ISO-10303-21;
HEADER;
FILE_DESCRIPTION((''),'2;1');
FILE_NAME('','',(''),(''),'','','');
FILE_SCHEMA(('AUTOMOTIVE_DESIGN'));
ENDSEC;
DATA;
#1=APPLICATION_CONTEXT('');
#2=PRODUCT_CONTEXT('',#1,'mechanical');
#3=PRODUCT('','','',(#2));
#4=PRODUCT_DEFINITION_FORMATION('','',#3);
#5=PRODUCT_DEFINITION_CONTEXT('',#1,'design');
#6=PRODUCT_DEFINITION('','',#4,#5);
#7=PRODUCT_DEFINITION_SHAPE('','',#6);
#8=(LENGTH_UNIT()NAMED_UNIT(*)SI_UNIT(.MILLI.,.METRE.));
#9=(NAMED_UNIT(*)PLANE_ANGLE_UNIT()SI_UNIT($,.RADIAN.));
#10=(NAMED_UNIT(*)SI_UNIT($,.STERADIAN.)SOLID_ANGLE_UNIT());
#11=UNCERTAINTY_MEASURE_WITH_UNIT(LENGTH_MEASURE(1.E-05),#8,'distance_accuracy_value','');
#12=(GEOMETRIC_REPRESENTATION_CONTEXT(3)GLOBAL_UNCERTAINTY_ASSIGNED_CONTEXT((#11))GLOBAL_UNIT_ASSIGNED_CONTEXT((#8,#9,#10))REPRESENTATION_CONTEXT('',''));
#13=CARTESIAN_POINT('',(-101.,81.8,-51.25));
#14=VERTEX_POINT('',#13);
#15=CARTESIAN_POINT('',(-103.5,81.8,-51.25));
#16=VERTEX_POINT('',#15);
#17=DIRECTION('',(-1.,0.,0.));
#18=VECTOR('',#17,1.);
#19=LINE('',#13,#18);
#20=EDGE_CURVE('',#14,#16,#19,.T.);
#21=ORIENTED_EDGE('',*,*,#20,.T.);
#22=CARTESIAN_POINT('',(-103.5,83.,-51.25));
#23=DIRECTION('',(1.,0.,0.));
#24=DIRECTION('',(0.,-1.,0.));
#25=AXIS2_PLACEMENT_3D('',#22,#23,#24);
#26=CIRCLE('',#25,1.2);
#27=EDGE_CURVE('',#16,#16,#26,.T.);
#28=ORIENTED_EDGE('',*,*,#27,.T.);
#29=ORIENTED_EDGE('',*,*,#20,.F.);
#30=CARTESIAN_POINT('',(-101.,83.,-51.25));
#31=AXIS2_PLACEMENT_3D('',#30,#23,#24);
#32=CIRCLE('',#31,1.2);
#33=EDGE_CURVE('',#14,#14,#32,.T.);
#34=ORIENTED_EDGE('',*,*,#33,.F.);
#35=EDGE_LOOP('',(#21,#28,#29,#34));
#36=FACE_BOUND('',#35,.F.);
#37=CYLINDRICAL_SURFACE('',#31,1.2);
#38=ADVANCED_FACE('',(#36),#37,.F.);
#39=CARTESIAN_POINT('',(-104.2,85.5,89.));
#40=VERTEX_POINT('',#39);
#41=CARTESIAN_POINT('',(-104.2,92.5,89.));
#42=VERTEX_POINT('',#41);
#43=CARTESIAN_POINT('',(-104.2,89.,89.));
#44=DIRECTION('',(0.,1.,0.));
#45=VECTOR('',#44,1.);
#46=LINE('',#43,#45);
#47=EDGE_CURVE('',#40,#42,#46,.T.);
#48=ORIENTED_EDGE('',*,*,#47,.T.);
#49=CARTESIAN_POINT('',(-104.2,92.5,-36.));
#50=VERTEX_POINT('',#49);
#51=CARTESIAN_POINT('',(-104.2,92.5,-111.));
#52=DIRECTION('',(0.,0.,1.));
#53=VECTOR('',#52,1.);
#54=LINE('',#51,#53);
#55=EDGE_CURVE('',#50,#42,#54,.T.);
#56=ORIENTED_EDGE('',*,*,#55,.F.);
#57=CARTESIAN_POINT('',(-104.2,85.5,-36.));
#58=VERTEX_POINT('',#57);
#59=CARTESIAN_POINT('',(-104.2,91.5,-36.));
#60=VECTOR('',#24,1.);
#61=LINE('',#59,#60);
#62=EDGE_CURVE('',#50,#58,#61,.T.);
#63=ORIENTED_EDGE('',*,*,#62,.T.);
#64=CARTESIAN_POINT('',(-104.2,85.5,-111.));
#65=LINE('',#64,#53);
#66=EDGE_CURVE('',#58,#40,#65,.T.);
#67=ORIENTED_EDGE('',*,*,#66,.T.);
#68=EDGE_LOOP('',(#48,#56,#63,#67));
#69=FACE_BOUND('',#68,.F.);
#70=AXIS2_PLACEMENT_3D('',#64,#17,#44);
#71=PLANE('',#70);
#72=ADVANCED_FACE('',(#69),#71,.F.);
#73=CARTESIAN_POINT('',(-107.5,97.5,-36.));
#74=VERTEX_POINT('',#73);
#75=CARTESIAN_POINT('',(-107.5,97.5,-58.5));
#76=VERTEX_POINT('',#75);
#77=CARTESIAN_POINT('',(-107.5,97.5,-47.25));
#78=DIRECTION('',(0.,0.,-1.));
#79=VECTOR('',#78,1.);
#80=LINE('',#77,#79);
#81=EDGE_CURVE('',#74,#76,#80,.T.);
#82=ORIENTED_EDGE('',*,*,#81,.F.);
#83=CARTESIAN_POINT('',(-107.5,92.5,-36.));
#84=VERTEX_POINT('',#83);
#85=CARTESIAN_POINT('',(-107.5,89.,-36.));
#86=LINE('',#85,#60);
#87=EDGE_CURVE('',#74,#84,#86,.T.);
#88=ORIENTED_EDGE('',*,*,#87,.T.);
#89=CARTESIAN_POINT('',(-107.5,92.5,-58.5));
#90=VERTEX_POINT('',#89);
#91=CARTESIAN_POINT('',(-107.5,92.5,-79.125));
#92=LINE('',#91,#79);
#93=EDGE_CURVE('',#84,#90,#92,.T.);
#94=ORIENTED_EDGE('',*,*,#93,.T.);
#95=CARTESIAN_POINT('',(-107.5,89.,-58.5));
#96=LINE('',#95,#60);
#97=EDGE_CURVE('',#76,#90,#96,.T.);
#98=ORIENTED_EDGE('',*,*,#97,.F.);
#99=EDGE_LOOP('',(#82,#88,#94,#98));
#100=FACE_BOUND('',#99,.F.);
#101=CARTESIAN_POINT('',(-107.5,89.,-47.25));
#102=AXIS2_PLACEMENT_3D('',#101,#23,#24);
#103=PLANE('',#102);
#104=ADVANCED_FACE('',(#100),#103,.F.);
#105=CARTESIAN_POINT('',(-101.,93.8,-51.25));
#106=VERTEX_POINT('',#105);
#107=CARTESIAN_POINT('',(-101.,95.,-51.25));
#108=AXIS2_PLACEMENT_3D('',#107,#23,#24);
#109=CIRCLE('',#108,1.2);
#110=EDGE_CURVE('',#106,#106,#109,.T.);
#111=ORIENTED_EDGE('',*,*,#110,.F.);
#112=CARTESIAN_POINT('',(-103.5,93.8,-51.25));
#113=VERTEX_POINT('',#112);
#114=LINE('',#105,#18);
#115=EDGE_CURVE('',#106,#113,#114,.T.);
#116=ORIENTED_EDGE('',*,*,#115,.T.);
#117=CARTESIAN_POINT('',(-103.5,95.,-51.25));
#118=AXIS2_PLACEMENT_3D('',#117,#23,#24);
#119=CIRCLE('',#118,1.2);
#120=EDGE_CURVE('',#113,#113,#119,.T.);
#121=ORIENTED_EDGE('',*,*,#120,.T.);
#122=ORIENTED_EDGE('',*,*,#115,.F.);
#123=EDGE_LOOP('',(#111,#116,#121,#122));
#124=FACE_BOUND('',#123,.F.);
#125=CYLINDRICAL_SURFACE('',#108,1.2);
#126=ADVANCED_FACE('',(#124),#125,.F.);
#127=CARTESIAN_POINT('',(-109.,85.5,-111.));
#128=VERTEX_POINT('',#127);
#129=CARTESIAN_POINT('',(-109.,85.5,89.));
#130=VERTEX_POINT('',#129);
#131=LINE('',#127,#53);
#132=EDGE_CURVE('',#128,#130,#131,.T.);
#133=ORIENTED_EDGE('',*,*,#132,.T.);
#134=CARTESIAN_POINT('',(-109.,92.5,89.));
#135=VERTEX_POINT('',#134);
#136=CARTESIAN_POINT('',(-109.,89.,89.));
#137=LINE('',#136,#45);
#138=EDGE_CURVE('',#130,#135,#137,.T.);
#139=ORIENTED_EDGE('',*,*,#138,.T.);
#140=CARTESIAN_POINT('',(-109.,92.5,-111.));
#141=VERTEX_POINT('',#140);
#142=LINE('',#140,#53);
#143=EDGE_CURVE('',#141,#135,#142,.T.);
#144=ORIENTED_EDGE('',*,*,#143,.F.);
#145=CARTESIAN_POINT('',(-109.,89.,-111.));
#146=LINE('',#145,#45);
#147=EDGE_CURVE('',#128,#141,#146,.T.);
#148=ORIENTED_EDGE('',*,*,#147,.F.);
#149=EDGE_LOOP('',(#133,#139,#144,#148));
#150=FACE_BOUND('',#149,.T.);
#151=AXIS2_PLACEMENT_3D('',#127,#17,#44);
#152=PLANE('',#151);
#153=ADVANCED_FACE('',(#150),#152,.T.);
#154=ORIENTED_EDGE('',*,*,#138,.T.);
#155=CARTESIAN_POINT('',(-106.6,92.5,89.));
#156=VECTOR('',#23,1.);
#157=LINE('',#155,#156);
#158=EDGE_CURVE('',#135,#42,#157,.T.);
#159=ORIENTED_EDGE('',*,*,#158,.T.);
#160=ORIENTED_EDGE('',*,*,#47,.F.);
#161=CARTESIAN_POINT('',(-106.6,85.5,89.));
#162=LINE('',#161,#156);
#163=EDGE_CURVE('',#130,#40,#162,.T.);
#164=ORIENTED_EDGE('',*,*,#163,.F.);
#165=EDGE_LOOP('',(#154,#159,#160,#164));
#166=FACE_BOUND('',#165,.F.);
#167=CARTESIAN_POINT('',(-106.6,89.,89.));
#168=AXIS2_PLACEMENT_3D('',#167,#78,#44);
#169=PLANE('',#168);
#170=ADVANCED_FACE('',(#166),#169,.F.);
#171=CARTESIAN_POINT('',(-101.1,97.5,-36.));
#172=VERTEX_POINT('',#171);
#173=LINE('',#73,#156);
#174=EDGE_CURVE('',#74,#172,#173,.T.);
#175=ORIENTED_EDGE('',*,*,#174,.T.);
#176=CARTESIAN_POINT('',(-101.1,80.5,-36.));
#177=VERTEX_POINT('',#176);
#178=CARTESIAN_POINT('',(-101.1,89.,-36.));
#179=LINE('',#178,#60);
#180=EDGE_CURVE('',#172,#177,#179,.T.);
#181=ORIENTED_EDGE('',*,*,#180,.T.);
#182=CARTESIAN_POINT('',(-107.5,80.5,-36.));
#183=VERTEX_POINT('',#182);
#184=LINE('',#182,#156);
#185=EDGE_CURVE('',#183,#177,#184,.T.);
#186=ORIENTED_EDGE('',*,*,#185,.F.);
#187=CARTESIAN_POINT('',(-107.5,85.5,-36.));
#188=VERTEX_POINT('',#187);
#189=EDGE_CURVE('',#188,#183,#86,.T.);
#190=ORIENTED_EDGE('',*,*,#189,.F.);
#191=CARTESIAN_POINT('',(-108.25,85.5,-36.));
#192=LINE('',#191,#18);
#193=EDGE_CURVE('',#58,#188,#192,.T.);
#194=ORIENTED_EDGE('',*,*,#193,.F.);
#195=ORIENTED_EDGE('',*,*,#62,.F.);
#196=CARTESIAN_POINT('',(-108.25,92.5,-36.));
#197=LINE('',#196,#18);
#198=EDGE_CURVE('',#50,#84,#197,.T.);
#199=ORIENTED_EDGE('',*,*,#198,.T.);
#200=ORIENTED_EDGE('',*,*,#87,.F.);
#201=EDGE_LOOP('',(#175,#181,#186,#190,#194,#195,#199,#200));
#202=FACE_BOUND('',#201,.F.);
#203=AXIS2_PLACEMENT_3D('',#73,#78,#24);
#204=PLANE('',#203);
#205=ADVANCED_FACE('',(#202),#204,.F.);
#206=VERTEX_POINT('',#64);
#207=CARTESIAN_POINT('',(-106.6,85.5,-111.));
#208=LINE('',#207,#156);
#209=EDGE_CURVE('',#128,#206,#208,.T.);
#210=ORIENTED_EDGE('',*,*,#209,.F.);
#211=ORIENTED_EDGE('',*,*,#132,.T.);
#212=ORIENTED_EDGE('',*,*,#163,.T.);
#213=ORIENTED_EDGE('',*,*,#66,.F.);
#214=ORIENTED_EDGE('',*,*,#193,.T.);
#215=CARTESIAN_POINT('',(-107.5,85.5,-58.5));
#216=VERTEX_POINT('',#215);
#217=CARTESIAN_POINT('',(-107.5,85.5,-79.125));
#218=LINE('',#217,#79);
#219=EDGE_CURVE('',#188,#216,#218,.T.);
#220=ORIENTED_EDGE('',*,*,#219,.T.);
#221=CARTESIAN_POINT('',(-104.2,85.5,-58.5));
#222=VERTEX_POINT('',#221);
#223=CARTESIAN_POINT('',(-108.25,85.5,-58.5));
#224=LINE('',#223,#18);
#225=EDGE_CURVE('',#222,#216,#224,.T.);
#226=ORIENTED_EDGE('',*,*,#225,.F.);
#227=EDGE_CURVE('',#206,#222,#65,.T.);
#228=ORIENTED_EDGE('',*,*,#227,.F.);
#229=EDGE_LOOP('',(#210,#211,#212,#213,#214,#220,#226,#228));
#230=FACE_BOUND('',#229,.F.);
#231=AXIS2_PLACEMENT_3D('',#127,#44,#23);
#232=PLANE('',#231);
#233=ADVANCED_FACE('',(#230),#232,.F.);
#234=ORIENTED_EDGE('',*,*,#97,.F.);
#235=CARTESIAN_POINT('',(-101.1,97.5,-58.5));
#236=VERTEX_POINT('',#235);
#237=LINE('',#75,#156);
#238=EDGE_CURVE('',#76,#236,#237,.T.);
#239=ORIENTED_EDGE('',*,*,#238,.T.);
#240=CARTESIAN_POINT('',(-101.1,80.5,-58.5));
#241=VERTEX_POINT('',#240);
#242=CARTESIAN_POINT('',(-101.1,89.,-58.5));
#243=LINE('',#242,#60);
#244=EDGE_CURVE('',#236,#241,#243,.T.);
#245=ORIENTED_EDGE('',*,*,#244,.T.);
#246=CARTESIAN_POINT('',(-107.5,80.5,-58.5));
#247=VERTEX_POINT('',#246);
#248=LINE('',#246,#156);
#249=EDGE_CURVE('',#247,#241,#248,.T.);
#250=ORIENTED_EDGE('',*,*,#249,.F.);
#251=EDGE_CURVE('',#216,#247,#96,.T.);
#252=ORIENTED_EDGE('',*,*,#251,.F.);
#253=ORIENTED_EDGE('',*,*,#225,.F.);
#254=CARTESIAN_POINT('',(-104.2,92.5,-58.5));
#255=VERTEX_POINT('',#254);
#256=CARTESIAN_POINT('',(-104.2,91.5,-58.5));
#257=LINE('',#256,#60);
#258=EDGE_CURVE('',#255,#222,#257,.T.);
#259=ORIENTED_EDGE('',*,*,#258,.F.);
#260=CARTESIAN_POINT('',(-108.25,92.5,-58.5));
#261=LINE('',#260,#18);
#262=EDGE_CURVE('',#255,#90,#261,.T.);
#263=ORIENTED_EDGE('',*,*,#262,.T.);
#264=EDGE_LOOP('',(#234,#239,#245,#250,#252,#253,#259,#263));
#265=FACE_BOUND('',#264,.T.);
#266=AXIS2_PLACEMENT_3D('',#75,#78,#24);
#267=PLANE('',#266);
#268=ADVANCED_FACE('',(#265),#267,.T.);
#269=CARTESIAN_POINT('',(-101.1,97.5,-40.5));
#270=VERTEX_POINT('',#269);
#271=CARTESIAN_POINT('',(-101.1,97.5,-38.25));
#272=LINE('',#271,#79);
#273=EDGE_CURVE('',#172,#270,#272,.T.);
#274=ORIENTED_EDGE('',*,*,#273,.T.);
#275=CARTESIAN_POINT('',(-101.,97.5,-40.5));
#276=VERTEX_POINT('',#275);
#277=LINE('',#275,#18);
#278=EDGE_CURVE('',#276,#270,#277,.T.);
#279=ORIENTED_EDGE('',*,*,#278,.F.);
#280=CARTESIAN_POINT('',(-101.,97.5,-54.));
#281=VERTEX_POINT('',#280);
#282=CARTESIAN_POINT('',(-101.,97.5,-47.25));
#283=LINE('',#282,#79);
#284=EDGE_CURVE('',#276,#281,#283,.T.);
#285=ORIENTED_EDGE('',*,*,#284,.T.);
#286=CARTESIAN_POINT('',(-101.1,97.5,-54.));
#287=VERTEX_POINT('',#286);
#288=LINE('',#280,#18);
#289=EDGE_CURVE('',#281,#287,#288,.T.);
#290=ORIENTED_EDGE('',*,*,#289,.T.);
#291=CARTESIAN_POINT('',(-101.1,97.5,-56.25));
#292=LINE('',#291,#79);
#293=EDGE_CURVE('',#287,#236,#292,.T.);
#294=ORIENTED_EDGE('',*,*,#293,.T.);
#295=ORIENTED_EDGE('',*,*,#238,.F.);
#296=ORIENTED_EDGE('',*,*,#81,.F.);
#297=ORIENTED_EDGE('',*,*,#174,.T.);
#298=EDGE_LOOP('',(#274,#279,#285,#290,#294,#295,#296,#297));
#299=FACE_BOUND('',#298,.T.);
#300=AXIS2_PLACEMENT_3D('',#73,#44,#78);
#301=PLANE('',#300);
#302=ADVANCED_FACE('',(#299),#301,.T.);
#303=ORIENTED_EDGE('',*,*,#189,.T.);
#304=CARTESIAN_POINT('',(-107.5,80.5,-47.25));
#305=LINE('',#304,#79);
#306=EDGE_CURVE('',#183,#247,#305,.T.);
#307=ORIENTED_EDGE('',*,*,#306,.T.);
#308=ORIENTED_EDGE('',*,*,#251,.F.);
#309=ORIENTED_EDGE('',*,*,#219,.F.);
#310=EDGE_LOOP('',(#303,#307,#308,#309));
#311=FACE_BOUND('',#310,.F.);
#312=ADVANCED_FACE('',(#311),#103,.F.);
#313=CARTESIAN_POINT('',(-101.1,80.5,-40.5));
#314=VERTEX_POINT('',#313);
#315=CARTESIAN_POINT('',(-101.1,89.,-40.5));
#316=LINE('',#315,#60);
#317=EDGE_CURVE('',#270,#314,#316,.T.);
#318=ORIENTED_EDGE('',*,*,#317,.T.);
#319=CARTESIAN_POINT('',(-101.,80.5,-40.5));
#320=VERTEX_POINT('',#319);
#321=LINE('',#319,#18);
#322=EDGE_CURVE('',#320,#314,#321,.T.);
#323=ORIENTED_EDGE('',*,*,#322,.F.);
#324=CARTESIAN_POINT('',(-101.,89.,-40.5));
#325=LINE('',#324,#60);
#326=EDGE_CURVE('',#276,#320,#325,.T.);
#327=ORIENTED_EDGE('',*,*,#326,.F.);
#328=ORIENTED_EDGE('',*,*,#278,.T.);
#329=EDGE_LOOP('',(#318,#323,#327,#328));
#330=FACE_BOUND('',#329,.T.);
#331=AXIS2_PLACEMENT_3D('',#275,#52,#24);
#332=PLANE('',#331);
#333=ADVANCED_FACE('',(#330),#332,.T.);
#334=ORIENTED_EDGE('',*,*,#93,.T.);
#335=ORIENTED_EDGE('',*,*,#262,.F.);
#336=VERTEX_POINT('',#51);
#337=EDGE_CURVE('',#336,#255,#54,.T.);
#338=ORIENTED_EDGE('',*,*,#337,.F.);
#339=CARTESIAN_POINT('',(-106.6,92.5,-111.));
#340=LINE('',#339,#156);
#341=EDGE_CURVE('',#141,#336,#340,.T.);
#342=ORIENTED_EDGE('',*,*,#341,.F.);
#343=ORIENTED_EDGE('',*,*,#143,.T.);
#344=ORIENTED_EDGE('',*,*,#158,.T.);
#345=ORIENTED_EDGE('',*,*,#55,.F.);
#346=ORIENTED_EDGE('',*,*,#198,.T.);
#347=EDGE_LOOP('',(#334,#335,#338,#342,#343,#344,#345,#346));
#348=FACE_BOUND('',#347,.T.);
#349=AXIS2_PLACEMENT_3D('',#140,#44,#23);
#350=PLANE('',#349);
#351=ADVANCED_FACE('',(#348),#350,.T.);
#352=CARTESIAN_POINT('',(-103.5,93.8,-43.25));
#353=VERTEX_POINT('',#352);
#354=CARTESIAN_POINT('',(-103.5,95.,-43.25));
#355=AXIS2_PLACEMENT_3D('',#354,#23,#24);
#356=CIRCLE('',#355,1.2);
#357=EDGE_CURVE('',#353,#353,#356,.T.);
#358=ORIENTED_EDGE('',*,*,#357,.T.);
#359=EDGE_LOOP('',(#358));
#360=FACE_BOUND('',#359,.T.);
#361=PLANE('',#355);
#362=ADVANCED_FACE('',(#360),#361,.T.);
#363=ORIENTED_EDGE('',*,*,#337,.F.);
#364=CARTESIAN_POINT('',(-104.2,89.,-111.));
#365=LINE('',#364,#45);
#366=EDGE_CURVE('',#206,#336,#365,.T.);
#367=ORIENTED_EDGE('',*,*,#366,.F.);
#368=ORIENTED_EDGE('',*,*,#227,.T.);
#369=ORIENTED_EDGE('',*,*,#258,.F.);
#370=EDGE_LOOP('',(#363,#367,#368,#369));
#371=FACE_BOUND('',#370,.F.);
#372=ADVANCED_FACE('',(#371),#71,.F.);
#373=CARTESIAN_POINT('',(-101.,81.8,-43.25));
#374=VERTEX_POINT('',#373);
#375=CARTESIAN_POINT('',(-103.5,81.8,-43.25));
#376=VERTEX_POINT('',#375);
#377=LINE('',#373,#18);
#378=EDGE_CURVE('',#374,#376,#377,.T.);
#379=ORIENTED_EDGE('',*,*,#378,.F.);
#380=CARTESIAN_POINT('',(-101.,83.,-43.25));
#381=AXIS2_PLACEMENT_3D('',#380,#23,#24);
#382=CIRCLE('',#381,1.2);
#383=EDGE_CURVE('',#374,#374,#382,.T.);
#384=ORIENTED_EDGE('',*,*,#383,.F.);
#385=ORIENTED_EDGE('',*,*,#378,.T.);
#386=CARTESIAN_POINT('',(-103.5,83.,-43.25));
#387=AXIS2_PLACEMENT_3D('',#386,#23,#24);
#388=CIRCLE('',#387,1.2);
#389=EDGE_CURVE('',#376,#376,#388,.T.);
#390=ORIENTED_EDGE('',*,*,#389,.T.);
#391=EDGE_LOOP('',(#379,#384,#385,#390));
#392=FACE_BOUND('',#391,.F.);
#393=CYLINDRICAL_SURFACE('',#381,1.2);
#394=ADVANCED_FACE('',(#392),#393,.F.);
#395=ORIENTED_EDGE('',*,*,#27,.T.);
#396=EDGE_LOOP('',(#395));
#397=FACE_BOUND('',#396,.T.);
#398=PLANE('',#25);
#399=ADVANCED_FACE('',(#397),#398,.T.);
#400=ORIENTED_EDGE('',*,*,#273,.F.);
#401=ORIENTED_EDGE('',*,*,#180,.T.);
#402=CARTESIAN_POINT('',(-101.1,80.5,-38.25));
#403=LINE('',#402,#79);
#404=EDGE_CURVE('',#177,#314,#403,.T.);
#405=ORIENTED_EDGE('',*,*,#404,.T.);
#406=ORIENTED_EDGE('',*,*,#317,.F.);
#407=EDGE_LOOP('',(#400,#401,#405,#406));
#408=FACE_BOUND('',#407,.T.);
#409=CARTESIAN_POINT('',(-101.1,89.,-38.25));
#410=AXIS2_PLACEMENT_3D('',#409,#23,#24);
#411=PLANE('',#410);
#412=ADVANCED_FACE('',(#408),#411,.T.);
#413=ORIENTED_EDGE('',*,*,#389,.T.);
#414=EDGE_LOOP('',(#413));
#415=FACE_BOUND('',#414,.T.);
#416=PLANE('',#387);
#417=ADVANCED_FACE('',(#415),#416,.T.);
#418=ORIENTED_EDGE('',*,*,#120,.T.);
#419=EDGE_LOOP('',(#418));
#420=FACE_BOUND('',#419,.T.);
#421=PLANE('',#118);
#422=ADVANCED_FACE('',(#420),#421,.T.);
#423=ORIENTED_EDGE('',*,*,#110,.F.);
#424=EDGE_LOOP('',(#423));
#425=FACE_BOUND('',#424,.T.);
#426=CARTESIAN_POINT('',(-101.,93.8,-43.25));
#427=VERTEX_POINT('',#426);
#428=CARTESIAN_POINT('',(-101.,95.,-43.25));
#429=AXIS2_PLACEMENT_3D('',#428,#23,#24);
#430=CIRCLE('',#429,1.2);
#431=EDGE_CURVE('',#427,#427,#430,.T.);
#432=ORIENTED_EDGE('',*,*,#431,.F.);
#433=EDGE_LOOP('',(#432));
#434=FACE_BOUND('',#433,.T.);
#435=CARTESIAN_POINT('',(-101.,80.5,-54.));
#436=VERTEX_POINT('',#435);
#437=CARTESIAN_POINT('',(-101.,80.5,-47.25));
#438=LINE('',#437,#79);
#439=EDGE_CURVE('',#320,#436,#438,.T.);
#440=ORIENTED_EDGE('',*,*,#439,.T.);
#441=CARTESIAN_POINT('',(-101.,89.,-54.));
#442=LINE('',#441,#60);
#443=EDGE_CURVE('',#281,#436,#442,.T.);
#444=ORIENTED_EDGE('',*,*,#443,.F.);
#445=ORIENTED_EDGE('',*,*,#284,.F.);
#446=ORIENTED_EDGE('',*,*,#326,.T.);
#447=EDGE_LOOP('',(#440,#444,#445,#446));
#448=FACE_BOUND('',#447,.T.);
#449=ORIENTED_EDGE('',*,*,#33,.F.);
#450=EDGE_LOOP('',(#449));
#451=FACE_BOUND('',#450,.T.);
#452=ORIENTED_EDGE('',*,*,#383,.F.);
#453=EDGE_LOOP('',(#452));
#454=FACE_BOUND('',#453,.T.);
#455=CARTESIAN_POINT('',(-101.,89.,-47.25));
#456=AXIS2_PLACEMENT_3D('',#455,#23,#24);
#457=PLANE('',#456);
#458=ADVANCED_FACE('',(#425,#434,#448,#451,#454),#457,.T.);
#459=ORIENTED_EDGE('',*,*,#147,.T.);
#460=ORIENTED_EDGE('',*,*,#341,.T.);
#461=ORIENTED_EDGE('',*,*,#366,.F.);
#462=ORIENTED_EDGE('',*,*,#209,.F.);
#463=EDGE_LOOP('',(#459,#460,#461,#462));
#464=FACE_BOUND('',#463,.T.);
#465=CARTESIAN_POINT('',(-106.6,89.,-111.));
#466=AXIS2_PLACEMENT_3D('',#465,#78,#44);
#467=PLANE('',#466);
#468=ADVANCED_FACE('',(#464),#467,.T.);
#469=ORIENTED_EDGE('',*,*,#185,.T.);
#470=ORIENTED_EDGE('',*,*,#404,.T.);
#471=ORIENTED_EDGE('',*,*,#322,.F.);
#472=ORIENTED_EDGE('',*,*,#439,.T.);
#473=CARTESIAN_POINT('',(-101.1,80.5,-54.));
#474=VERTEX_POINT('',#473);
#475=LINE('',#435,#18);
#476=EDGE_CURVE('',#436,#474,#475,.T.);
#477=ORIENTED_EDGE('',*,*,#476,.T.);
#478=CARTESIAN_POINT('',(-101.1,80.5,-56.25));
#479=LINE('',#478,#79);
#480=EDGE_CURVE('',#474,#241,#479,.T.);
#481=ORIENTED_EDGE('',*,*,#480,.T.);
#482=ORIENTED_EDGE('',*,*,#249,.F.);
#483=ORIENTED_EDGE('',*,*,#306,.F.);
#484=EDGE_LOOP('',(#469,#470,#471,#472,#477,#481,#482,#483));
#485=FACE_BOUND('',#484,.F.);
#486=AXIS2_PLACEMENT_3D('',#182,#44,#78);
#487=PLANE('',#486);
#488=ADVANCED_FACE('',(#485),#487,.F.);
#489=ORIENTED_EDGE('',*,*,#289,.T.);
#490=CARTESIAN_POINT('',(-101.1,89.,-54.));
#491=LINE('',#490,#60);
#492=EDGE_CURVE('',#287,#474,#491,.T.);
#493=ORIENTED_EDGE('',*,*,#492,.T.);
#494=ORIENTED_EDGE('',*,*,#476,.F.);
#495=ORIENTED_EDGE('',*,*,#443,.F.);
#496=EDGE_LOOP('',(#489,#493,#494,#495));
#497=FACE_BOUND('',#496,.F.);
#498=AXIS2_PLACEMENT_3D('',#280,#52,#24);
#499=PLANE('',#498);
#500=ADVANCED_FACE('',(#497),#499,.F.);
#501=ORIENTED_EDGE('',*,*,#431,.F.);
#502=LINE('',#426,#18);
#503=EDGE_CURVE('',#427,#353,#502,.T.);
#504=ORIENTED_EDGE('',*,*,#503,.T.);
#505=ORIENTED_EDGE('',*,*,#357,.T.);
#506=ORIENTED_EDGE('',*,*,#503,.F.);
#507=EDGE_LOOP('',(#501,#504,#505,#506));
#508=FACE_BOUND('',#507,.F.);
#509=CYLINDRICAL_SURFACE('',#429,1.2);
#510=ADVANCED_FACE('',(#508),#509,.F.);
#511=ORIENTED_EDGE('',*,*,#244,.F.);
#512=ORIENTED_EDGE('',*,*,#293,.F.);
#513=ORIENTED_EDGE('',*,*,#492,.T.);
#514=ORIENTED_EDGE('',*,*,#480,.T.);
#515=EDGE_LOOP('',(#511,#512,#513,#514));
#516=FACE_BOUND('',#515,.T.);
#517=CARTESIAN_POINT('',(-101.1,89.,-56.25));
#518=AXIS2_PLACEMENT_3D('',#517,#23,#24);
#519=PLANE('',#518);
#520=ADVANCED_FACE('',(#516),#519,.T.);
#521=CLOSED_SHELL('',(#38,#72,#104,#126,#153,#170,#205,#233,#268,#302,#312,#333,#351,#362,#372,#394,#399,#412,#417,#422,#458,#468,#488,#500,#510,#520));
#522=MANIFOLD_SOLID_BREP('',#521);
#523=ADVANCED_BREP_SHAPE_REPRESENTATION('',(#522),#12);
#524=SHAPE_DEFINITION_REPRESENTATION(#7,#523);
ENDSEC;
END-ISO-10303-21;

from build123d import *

# Parameters (mm, degrees)
SKETCH034_W             = 7
SKETCH034_H             = 4.8
PAD015_DEPTH            = 200
SKETCH035_W             = 17
SKETCH035_H             = 22.5
PAD016_DEPTH            = 6.5
SKETCH036_W             = 17
SKETCH036_H             = 4.5
POCKET019_DEPTH         = 0.1
SKETCH037_R             = 1.2
POCKET020_DEPTH         = 2.5
BODY008_ROLL_ANGLE      = 90
BODY008_PLACEMENT_ANGLE = 90


with BuildPart() as part:
    # Sketch034 → Pad015 (new body)
    with BuildSketch(Plane.XZ):
        with Locations((3.5, 2.4)):
            Rectangle(SKETCH034_W, SKETCH034_H)
    extrude(amount=-PAD015_DEPTH)

    # Sketch035 (on Face1 of Pad015) → Pad016 (join)
    with BuildSketch(Plane(origin=(0, 0, 1.5), x_dir=(-1, 0, 0), z_dir=(0, 0, 1))):
        with Locations((-3.5, -63.75)):
            Rectangle(SKETCH035_W, SKETCH035_H)
    extrude(amount=PAD016_DEPTH)

    # Sketch036 (on Face13 of Pad016) → Pocket019 (cut)
    with BuildSketch(Plane(origin=(0, 0, 8), x_dir=(-1, 0, 0), z_dir=(0, 0, 1))):
        with Locations((-3.5, -54.75)):
            Rectangle(SKETCH036_W, SKETCH036_H)
        with Locations((-3.5, -72.75)):
            Rectangle(SKETCH036_W, SKETCH036_H)
    extrude(amount=-POCKET019_DEPTH, mode=Mode.SUBTRACT)

    # Sketch037 (on Face17 of Pocket019) → Pocket020 (cut)
    with BuildSketch(Plane(origin=(0, 0, 8), x_dir=(-1, 0, 0), z_dir=(0, 0, 1))):
        with Locations((-9.5, -59.75)):
            Circle(SKETCH037_R)
        with Locations((2.5, -59.75)):
            Circle(SKETCH037_R)
        with Locations((2.5, -67.75)):
            Circle(SKETCH037_R)
        with Locations((-9.5, -67.75)):
            Circle(SKETCH037_R)
    extrude(amount=-POCKET020_DEPTH, mode=Mode.SUBTRACT)


with BuildPart() as part_1:
    # Body008 roll: moved
    add(part.part.rotate(Axis((0, 0, 0), (1, 0, 0)), BODY008_ROLL_ANGLE))


with BuildPart() as part_2:
    # Body008 placement: moved
    add(part_1.part.moved(Location((-109, 85.5, -111))).rotate(Axis((-109, 85.5, -111), (0, 0, 1)), BODY008_PLACEMENT_ANGLE))


solid = part_2.part
